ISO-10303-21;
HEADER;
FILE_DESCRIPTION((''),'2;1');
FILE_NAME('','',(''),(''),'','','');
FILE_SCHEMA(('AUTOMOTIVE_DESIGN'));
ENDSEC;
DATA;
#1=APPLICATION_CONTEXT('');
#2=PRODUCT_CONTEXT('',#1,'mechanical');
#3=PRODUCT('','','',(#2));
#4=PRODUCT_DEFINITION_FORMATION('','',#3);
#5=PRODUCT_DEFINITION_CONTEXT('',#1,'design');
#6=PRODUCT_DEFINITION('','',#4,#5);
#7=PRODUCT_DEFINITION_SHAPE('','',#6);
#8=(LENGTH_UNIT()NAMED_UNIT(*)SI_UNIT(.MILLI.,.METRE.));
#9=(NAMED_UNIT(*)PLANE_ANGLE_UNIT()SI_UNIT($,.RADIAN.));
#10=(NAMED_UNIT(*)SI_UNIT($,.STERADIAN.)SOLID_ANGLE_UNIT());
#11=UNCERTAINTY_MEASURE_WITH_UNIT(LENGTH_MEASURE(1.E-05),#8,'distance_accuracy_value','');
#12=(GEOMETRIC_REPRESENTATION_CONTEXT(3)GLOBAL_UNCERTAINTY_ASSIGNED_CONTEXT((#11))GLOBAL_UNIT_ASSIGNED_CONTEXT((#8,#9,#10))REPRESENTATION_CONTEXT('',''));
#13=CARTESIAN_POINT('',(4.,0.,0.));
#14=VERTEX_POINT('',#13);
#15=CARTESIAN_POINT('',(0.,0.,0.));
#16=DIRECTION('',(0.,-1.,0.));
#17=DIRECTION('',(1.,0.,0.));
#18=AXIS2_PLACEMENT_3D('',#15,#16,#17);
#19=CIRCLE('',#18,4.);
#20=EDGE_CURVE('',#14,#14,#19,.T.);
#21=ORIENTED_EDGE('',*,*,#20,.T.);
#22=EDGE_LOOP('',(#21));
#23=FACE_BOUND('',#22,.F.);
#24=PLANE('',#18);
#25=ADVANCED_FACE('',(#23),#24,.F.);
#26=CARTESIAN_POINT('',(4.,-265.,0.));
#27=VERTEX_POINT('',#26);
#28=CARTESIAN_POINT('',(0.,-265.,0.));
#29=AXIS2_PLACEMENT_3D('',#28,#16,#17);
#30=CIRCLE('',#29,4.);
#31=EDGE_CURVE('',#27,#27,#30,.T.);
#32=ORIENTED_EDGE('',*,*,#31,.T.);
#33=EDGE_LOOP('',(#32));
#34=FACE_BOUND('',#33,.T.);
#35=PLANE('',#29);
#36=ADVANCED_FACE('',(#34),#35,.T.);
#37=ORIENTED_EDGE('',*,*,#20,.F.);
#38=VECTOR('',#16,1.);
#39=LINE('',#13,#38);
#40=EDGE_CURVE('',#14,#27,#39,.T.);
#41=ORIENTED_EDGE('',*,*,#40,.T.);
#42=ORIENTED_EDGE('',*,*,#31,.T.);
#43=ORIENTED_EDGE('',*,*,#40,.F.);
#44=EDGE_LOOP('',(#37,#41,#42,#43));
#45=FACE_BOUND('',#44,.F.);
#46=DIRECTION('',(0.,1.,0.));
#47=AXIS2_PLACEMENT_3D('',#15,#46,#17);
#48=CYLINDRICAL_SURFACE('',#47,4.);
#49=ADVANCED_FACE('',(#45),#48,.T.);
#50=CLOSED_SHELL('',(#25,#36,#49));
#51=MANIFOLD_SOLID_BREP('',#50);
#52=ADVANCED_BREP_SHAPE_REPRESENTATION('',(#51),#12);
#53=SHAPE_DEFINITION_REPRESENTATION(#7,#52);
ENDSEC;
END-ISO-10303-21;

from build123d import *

# Parameters (mm, degrees)
SKETCH_R  = 4
PAD_DEPTH = 265


with BuildPart() as part:
    # Sketch → Pad (new body)
    with BuildSketch(Plane.XZ):
        Circle(SKETCH_R)
    extrude(amount=PAD_DEPTH)


solid = part.part
